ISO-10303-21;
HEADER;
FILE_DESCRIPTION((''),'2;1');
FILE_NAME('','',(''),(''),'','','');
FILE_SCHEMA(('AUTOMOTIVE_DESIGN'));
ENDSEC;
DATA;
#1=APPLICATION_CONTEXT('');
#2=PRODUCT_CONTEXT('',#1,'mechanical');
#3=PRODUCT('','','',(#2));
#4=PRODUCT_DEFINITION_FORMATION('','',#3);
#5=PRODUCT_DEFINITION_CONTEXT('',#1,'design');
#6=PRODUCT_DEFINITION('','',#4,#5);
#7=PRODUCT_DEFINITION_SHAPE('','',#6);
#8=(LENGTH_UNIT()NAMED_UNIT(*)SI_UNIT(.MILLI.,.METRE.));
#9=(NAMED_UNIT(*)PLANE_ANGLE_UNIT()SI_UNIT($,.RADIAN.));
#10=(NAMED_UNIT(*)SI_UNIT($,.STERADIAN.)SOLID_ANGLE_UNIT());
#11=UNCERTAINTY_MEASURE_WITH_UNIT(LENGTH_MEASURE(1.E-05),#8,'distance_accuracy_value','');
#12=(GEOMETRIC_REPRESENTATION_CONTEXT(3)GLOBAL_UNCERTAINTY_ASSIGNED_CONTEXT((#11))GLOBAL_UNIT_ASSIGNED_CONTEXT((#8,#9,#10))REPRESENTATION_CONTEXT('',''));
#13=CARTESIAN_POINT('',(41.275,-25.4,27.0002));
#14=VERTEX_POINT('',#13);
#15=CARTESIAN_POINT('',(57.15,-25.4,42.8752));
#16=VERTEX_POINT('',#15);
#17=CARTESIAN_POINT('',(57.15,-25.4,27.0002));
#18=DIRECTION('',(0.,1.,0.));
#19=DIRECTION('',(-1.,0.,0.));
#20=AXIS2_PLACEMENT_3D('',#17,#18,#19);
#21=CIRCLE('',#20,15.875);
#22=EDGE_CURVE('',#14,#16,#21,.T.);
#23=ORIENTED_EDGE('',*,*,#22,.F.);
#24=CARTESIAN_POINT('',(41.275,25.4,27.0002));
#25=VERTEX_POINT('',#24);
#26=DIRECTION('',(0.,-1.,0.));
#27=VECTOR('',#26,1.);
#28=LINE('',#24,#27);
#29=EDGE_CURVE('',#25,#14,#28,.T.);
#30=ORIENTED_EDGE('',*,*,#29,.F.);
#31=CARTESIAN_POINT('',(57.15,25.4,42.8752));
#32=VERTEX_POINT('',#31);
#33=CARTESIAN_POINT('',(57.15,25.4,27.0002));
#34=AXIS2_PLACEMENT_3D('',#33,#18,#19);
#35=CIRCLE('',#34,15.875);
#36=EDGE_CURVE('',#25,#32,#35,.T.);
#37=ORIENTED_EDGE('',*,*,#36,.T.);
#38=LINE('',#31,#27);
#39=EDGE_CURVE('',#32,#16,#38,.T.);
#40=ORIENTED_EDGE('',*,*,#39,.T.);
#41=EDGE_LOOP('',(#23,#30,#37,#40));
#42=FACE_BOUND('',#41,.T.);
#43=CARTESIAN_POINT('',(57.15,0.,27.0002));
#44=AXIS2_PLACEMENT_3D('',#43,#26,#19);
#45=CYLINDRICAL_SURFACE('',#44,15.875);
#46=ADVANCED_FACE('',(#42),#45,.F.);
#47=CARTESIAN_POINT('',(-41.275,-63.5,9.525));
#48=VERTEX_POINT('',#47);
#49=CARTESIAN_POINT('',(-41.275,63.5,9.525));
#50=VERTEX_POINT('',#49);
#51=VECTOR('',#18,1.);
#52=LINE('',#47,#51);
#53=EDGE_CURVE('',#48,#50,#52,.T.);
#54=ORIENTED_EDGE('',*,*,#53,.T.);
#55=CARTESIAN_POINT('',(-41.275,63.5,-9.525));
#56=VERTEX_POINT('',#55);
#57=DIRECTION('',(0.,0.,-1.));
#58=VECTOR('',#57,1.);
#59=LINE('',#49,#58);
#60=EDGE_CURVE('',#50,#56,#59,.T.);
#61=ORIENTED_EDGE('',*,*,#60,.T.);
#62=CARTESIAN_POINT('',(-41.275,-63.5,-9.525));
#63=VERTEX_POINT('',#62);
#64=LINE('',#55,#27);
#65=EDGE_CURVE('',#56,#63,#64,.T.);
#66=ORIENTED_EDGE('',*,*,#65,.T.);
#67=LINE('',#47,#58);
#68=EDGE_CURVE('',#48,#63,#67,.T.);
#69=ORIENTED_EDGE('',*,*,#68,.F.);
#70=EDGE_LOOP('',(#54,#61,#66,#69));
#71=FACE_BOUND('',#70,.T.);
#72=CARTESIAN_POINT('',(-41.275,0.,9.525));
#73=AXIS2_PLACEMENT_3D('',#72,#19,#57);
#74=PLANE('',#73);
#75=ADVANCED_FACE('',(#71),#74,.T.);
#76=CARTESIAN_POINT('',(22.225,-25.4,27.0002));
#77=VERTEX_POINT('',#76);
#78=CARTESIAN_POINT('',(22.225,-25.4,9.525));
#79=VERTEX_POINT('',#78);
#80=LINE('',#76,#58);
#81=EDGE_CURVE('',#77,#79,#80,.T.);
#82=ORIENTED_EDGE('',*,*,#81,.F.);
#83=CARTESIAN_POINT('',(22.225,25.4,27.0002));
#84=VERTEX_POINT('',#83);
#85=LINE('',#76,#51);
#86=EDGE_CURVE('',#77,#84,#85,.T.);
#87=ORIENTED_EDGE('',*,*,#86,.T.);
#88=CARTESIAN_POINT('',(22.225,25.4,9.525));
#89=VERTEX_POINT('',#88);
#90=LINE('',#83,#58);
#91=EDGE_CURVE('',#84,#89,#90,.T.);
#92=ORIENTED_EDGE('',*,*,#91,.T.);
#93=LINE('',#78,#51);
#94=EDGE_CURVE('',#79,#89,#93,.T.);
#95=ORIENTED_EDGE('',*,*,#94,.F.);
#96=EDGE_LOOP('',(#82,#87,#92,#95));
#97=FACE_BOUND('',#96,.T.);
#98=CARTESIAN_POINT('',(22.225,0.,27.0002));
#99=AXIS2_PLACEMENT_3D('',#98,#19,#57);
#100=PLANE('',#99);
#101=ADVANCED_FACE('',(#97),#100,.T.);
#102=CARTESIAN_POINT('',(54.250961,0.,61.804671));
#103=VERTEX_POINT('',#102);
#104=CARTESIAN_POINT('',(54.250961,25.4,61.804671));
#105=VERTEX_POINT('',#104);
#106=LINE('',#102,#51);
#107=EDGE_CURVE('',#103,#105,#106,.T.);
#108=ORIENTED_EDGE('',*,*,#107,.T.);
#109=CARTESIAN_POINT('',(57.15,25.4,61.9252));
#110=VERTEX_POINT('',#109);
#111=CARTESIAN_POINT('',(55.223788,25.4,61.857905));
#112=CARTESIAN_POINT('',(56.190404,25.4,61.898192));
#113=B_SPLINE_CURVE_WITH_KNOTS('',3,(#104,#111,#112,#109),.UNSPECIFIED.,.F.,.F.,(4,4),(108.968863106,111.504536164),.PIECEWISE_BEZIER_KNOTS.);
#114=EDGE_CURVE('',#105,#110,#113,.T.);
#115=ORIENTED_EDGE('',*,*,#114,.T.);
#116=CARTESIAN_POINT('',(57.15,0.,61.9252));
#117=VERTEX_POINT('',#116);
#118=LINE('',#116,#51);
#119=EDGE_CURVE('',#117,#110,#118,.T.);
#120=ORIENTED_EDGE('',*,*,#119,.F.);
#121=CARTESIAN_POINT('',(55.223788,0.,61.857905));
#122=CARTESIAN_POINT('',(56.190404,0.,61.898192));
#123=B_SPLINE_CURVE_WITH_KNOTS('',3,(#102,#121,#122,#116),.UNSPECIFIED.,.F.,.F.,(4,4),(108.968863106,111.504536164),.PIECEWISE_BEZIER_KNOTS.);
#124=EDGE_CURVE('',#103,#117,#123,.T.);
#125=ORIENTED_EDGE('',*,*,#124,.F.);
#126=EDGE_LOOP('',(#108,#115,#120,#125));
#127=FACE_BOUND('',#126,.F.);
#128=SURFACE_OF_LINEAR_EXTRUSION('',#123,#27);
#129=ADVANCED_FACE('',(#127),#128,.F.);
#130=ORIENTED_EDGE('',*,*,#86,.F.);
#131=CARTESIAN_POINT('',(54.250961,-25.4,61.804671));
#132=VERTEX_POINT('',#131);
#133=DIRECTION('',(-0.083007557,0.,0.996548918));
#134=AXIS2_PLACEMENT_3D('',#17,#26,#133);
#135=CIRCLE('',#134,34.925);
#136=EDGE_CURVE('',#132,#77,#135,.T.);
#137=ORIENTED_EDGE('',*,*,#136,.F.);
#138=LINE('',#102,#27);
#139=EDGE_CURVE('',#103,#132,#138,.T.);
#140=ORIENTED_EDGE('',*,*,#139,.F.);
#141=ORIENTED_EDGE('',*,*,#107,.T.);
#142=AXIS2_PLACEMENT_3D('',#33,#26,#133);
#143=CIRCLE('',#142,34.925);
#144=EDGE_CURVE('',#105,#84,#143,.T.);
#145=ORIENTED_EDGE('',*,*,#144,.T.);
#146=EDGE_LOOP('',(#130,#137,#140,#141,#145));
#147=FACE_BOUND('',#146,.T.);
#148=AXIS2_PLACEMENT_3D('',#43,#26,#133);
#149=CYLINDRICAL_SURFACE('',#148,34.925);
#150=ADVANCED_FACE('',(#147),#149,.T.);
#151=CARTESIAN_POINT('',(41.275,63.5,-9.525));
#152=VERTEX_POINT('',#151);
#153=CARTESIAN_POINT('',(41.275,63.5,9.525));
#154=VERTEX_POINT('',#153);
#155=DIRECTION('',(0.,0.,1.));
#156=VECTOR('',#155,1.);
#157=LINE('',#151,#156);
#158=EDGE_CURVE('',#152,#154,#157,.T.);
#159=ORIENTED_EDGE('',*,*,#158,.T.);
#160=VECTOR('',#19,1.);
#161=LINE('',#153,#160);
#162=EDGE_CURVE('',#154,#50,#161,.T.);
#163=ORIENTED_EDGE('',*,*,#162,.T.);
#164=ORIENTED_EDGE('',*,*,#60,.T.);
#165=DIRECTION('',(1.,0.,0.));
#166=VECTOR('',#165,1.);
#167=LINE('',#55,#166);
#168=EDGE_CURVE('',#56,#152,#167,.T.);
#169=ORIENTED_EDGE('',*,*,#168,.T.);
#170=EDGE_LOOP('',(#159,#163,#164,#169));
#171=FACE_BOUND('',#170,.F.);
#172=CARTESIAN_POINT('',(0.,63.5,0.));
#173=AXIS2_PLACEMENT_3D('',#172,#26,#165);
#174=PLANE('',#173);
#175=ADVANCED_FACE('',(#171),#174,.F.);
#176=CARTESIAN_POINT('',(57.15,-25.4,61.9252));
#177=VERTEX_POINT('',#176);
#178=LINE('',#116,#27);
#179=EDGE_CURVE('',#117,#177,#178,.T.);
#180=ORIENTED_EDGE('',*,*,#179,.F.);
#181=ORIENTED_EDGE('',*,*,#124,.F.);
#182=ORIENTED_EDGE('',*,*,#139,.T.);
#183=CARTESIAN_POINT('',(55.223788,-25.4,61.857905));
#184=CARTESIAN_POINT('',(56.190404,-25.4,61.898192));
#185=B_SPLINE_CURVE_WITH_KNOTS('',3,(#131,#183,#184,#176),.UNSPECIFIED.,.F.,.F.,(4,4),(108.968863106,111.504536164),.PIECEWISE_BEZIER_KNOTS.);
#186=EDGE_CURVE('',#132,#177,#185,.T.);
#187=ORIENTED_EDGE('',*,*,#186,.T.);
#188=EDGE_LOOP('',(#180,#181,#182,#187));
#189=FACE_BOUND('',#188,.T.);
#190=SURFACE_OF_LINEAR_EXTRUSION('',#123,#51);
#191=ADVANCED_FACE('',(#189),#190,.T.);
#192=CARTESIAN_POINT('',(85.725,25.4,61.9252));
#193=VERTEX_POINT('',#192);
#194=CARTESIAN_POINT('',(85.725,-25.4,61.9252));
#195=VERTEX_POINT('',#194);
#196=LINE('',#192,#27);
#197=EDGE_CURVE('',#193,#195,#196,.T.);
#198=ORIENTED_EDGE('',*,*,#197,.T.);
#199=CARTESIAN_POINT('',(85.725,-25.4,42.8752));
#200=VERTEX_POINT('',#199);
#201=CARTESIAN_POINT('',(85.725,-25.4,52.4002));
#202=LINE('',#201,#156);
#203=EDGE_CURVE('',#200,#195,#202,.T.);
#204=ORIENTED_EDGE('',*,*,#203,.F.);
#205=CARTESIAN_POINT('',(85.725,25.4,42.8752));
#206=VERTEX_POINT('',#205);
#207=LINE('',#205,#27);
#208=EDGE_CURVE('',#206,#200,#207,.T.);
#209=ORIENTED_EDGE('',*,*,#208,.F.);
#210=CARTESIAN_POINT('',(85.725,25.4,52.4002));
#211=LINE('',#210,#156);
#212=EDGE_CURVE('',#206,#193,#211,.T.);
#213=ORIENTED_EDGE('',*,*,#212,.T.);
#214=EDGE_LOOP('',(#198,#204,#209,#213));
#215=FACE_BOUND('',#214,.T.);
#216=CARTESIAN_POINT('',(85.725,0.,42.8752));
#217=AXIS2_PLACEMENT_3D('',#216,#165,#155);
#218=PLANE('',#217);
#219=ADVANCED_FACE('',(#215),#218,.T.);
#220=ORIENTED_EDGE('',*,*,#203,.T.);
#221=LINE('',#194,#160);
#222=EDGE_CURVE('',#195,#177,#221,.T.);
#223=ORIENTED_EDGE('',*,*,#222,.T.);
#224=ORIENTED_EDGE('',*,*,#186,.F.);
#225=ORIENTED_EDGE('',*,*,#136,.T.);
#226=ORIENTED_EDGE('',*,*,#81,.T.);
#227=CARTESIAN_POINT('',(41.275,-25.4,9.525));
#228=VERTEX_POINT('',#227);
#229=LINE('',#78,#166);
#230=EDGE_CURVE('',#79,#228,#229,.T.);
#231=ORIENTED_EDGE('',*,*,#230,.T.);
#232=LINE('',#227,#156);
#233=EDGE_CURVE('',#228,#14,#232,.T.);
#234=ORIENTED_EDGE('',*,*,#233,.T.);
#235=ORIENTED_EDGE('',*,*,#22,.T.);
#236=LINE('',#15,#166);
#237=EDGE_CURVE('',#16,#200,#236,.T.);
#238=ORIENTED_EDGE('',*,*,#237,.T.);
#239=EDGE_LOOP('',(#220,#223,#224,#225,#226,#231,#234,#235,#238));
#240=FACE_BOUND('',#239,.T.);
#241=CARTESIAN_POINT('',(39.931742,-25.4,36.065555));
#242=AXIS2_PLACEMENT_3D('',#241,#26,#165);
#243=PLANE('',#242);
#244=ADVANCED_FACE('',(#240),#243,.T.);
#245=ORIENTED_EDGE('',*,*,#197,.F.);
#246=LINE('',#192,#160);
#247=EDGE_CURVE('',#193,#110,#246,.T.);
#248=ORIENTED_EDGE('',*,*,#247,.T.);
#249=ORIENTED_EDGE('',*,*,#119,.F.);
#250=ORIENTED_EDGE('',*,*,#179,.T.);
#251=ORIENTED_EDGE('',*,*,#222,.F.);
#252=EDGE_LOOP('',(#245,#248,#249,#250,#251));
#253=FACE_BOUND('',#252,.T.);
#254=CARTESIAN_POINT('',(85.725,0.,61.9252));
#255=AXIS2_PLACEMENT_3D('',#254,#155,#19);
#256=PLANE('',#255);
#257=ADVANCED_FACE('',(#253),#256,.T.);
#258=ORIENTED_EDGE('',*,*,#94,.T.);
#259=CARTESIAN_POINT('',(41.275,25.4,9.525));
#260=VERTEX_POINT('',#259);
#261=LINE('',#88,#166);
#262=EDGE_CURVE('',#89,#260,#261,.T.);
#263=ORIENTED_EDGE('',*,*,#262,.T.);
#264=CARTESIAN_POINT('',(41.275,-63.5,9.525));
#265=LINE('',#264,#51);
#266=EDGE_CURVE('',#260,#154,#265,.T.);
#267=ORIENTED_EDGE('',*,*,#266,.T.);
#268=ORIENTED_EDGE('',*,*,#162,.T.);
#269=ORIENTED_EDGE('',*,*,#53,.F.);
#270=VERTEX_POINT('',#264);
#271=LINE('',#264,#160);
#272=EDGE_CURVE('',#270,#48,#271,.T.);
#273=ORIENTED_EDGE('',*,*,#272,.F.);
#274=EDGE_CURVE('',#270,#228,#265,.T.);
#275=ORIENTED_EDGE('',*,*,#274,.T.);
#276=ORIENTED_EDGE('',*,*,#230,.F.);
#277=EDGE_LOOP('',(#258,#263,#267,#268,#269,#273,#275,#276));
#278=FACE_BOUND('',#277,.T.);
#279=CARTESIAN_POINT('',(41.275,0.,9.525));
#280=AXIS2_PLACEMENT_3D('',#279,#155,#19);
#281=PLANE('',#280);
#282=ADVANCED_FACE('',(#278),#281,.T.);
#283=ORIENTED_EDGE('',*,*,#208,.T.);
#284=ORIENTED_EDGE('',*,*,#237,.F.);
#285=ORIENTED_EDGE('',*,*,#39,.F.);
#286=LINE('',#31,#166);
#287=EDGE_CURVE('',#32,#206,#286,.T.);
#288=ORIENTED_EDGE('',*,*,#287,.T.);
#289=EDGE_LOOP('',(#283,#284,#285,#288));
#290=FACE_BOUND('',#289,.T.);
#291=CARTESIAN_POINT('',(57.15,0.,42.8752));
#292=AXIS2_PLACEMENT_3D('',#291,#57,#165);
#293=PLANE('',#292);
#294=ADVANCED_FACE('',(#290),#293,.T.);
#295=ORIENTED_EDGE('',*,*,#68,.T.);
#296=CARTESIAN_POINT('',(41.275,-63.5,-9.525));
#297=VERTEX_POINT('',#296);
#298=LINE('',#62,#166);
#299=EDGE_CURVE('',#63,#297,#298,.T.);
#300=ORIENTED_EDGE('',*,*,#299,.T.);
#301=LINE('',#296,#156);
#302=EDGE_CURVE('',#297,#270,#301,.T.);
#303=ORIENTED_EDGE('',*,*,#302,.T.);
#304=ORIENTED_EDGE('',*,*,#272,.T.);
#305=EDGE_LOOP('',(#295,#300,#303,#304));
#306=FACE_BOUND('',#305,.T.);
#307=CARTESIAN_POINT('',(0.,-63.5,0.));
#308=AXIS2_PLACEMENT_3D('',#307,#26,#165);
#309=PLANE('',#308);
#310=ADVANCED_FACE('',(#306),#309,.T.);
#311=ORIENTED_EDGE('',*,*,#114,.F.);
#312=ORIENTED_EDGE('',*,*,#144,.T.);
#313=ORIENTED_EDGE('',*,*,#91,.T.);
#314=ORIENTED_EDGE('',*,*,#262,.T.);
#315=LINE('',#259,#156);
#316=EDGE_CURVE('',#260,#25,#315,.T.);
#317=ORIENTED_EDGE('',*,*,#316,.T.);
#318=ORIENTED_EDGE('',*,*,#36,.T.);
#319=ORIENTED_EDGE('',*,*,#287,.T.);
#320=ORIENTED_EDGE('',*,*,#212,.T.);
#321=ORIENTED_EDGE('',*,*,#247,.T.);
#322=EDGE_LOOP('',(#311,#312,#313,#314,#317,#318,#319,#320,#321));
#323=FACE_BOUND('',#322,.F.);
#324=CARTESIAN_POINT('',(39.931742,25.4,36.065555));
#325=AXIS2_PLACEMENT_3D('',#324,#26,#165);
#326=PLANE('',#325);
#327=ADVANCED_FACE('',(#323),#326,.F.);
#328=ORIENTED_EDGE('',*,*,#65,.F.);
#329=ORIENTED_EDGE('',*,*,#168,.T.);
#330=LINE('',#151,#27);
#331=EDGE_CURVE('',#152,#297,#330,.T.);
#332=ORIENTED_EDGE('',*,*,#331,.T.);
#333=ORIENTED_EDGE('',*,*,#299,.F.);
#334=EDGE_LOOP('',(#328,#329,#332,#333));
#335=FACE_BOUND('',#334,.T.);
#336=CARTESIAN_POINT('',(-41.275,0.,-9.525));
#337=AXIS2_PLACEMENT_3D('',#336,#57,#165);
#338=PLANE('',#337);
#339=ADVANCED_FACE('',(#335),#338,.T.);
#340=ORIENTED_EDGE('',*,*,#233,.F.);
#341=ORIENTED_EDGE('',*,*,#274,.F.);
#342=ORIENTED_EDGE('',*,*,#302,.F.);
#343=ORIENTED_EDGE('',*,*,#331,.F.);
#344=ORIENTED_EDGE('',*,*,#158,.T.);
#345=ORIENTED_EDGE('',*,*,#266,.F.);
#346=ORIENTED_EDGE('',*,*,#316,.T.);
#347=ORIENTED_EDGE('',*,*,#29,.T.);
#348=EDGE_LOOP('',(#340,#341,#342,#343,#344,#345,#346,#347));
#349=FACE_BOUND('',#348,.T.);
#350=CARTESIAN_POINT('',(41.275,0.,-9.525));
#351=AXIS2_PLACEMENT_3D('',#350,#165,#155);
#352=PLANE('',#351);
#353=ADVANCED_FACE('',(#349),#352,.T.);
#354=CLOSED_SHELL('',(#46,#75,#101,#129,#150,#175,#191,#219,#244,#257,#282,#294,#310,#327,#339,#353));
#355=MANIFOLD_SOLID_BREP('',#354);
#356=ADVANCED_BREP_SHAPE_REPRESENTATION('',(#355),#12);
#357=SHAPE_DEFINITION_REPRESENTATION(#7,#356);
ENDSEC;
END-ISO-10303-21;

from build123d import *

# Parameters (mm, degrees)
F1_DEPTH = 63.5
F0_W     = 25.4
F0_H     = 19.05
F2_DEPTH = 25.4


with BuildPart() as f1:
    # F0 (on Front) → F1 (new body, symmetric)
    with BuildSketch(Plane.XZ):
        Polygon((-41.275, 9.525), (-41.275, -9.525), (41.275, -9.525), (41.275, 9.525), (22.225, 9.525), align=None)
    extrude(amount=F1_DEPTH, both=True)

    # F0 (on Front) → F2 (join, symmetric)
    with BuildSketch(Plane.XZ):
        with BuildLine():
            Line((22.225, 9.525), (41.275, 9.525))
            Line((41.275, 9.525), (41.275, 27.0002))
            ThreePointArc((41.275, 27.0002), (45.9246798487, 38.2255201513), (57.15, 42.8752))
            Line((57.15, 42.8752), (60.325, 42.8752))
            Line((60.325, 42.8752), (60.325, 61.9252))
            Line((60.325, 61.9252), (57.15, 61.9252))
            add(Edge.make_bspline(
                [(54.2509610844, 61.8046709537), (55.223787741, 61.8579046619), (56.1904041121, 61.8981915291), (57.15, 61.9252)],
                knots=[108.9688631061, 108.9688631061, 108.9688631061, 108.9688631061, 111.5045361635, 111.5045361635, 111.5045361635, 111.5045361635], degree=3))
            ThreePointArc((54.2509610844, 61.8046709537), (31.4497610991, 50.6487379133), (22.225, 27.0002))
            Line((22.225, 27.0002), (22.225, 9.525))
        make_face()
        with Locations((73.025, 52.4002)):
            Rectangle(F0_W, F0_H)
    extrude(amount=F2_DEPTH, both=True)


solid = f1.part
